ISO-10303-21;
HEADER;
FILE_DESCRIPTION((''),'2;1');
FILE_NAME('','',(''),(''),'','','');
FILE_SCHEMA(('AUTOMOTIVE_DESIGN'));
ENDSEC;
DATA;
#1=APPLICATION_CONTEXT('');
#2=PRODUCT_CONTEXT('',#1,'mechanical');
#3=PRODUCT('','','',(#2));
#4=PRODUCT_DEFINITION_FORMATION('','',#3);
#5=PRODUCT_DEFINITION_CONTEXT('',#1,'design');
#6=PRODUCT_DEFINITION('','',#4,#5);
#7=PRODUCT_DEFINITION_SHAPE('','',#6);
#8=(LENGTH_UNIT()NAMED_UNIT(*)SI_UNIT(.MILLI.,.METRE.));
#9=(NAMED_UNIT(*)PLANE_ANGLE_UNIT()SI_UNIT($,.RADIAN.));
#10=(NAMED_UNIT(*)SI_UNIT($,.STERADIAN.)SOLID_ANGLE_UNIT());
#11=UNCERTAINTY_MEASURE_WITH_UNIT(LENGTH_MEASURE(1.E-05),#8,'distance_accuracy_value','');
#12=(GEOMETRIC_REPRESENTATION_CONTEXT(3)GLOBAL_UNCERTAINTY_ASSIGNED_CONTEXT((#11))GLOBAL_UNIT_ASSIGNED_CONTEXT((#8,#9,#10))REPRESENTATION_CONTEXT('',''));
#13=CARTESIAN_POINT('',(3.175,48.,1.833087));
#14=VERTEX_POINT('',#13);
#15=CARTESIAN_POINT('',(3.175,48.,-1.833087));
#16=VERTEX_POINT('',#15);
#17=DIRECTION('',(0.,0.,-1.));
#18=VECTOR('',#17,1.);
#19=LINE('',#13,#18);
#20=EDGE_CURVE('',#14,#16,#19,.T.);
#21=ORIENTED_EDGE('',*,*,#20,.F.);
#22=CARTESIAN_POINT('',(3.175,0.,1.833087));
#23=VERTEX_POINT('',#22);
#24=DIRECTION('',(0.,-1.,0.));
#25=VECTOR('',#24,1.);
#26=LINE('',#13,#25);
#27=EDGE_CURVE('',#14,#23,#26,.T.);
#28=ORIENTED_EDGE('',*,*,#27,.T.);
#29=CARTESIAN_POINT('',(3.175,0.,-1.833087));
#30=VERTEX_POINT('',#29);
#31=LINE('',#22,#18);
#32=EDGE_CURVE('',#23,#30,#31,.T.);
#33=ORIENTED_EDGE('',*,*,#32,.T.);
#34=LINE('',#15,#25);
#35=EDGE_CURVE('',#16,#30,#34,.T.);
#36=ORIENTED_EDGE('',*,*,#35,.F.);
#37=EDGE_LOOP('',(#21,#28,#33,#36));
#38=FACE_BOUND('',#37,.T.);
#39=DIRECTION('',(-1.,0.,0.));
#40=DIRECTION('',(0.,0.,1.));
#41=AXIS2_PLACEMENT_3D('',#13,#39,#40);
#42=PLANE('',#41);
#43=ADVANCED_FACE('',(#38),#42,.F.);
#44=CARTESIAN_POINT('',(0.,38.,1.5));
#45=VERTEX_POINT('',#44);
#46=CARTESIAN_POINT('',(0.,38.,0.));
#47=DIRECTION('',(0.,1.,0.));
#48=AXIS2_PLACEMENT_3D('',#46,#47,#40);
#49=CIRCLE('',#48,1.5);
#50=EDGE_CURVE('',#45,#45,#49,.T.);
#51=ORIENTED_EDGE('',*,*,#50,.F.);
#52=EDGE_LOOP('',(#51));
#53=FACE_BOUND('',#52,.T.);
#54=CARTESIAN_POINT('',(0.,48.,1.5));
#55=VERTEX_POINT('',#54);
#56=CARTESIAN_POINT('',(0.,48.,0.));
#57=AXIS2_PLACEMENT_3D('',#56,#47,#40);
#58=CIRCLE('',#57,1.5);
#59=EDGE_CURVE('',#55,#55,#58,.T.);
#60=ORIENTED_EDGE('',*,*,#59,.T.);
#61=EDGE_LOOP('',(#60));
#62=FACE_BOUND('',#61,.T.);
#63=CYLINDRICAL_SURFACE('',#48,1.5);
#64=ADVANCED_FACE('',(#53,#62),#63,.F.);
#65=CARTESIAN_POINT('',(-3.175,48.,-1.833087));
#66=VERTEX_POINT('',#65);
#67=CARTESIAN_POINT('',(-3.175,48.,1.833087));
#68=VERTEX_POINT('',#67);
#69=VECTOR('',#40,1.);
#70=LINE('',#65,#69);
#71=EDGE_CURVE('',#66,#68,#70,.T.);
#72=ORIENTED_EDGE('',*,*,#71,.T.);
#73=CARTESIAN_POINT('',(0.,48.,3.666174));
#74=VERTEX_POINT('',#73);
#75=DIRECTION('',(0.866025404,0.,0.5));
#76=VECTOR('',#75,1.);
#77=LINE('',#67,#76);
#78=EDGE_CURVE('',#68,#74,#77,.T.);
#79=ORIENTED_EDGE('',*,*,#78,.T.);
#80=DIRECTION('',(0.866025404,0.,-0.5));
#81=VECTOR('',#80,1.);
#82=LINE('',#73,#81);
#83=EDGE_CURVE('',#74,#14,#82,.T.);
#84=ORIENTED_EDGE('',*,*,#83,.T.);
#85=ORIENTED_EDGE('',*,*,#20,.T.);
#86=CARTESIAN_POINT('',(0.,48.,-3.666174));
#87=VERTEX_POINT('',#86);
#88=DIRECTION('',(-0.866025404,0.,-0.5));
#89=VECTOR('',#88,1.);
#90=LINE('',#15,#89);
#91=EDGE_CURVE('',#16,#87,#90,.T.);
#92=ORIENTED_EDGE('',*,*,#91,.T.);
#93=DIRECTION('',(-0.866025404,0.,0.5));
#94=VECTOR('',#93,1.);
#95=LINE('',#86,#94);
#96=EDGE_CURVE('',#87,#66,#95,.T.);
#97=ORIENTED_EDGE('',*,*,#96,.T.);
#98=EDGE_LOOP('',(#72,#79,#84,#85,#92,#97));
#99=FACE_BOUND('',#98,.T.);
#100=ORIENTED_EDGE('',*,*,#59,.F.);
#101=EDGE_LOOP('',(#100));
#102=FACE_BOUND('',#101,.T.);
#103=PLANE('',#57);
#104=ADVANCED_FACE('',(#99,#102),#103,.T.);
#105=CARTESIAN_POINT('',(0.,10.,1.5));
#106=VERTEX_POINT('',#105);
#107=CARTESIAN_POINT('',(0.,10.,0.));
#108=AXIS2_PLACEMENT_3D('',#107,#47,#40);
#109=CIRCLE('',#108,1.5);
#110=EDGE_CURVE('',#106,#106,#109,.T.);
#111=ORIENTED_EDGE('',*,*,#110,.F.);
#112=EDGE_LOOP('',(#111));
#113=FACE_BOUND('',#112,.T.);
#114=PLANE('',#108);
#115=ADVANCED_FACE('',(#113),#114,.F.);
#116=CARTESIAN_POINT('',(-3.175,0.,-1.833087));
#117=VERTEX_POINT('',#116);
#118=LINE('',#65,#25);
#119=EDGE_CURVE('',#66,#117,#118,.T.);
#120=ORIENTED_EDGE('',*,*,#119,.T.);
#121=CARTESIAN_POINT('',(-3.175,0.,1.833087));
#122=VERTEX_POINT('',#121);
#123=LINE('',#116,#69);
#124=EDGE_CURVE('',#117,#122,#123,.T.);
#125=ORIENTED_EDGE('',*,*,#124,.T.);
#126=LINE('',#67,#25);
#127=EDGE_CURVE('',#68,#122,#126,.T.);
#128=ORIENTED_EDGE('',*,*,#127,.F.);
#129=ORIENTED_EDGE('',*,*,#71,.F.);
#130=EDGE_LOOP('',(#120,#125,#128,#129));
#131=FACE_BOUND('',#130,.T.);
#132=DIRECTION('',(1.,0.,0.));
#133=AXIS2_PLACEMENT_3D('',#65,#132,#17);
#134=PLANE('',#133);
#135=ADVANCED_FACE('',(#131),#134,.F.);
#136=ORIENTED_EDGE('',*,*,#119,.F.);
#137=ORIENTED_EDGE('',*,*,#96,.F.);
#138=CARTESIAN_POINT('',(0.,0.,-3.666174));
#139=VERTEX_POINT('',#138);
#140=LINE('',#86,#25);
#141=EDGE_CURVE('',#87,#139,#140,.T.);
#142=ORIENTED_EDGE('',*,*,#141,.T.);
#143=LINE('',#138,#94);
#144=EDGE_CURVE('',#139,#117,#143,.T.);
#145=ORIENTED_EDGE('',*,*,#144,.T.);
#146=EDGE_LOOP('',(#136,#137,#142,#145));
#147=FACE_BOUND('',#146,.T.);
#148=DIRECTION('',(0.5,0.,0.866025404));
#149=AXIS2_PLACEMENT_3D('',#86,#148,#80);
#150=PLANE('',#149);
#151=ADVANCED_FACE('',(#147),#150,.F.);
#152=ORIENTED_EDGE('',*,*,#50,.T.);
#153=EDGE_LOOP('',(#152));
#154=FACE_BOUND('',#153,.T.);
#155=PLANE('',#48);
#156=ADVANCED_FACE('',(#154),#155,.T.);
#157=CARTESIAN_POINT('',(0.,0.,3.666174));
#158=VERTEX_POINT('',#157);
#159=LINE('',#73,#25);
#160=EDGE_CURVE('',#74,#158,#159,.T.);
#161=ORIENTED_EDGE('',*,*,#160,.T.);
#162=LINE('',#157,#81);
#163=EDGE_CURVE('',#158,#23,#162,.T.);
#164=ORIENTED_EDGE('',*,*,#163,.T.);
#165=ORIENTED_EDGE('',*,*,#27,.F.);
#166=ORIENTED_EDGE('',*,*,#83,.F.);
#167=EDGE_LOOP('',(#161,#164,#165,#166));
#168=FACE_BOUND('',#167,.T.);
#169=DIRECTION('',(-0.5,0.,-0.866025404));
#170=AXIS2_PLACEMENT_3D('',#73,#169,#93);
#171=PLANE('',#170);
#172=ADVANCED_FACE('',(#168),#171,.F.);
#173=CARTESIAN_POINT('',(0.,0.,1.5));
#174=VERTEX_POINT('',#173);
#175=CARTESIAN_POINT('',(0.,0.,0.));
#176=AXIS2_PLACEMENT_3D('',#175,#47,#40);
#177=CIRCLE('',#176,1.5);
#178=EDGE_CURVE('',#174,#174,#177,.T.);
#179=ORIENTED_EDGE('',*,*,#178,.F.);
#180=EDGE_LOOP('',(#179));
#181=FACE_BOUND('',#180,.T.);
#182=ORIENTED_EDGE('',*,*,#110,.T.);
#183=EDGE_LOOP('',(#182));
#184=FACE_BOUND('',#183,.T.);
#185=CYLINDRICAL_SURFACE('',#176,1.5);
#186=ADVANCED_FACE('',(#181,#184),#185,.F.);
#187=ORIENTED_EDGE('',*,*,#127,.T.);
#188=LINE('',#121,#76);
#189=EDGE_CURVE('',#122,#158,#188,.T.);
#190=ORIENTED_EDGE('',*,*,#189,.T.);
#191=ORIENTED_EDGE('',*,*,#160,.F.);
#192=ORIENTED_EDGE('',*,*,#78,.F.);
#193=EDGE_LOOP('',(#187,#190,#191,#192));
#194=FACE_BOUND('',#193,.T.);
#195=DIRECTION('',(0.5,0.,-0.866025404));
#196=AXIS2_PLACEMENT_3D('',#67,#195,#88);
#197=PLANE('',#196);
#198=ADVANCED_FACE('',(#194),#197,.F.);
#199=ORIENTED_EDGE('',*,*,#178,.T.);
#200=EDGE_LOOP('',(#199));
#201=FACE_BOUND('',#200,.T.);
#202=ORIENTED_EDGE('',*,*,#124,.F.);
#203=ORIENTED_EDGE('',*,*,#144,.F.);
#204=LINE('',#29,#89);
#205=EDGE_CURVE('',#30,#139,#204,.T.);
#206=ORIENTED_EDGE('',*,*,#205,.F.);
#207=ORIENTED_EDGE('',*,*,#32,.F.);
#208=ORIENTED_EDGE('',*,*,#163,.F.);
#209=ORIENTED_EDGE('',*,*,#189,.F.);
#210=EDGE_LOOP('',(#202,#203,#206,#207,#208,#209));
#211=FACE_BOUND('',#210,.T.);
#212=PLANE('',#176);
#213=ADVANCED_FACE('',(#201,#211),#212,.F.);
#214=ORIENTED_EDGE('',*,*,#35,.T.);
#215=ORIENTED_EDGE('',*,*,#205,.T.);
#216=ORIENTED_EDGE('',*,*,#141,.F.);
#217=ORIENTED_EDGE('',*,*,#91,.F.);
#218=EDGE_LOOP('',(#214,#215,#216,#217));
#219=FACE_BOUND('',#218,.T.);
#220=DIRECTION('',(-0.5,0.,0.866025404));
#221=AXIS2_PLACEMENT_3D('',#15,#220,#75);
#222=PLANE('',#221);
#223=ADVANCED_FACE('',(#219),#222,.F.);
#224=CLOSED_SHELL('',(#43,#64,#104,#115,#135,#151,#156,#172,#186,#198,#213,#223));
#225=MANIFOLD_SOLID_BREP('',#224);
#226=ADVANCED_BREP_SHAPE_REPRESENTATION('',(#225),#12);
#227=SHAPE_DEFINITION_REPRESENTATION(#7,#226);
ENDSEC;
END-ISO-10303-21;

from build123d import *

# Parameters (mm, degrees)
SALIENTE_EXTRUIR1_DEPTH = 48
CROQUIS2_R              = 1.5
CORTAR_EXTRUIR1_DEPTH   = 10
CORTAR_EXTRUIR2_START   = -38
CROQUIS2_2_R            = 1.5
CORTAR_EXTRUIR2_DEPTH   = 10


with BuildPart() as part:
    # Croquis1 → Saliente-Extruir1 (new body)
    with BuildSketch(Plane(origin=(0, 0, 0), x_dir=(1, 0, 0), z_dir=(0, 1, 0))):
        Polygon((0, 3.666174209), (-3.175, 1.833087105), (-3.175, -1.833087105), (0, -3.666174209), (3.175, -1.833087105), (3.175, 1.833087105), align=None)
    extrude(amount=SALIENTE_EXTRUIR1_DEPTH)

    # Croquis2 → Cortar-Extruir1 (cut)
    with BuildSketch(Plane(origin=(0, 48, 0), x_dir=(1, 0, 0), z_dir=(0, 1, 0))):
        Circle(CROQUIS2_R)
    extrude(amount=-CORTAR_EXTRUIR1_DEPTH, mode=Mode.SUBTRACT)

    # Croquis2<2> → Cortar-Extruir2 (cut)
    with BuildSketch(Plane(origin=(0, 48, 0), x_dir=(1, 0, 0), z_dir=(0, 1, 0)).offset(CORTAR_EXTRUIR2_START)):
        Circle(CROQUIS2_2_R)
    extrude(amount=-CORTAR_EXTRUIR2_DEPTH, mode=Mode.SUBTRACT)


solid = part.part
